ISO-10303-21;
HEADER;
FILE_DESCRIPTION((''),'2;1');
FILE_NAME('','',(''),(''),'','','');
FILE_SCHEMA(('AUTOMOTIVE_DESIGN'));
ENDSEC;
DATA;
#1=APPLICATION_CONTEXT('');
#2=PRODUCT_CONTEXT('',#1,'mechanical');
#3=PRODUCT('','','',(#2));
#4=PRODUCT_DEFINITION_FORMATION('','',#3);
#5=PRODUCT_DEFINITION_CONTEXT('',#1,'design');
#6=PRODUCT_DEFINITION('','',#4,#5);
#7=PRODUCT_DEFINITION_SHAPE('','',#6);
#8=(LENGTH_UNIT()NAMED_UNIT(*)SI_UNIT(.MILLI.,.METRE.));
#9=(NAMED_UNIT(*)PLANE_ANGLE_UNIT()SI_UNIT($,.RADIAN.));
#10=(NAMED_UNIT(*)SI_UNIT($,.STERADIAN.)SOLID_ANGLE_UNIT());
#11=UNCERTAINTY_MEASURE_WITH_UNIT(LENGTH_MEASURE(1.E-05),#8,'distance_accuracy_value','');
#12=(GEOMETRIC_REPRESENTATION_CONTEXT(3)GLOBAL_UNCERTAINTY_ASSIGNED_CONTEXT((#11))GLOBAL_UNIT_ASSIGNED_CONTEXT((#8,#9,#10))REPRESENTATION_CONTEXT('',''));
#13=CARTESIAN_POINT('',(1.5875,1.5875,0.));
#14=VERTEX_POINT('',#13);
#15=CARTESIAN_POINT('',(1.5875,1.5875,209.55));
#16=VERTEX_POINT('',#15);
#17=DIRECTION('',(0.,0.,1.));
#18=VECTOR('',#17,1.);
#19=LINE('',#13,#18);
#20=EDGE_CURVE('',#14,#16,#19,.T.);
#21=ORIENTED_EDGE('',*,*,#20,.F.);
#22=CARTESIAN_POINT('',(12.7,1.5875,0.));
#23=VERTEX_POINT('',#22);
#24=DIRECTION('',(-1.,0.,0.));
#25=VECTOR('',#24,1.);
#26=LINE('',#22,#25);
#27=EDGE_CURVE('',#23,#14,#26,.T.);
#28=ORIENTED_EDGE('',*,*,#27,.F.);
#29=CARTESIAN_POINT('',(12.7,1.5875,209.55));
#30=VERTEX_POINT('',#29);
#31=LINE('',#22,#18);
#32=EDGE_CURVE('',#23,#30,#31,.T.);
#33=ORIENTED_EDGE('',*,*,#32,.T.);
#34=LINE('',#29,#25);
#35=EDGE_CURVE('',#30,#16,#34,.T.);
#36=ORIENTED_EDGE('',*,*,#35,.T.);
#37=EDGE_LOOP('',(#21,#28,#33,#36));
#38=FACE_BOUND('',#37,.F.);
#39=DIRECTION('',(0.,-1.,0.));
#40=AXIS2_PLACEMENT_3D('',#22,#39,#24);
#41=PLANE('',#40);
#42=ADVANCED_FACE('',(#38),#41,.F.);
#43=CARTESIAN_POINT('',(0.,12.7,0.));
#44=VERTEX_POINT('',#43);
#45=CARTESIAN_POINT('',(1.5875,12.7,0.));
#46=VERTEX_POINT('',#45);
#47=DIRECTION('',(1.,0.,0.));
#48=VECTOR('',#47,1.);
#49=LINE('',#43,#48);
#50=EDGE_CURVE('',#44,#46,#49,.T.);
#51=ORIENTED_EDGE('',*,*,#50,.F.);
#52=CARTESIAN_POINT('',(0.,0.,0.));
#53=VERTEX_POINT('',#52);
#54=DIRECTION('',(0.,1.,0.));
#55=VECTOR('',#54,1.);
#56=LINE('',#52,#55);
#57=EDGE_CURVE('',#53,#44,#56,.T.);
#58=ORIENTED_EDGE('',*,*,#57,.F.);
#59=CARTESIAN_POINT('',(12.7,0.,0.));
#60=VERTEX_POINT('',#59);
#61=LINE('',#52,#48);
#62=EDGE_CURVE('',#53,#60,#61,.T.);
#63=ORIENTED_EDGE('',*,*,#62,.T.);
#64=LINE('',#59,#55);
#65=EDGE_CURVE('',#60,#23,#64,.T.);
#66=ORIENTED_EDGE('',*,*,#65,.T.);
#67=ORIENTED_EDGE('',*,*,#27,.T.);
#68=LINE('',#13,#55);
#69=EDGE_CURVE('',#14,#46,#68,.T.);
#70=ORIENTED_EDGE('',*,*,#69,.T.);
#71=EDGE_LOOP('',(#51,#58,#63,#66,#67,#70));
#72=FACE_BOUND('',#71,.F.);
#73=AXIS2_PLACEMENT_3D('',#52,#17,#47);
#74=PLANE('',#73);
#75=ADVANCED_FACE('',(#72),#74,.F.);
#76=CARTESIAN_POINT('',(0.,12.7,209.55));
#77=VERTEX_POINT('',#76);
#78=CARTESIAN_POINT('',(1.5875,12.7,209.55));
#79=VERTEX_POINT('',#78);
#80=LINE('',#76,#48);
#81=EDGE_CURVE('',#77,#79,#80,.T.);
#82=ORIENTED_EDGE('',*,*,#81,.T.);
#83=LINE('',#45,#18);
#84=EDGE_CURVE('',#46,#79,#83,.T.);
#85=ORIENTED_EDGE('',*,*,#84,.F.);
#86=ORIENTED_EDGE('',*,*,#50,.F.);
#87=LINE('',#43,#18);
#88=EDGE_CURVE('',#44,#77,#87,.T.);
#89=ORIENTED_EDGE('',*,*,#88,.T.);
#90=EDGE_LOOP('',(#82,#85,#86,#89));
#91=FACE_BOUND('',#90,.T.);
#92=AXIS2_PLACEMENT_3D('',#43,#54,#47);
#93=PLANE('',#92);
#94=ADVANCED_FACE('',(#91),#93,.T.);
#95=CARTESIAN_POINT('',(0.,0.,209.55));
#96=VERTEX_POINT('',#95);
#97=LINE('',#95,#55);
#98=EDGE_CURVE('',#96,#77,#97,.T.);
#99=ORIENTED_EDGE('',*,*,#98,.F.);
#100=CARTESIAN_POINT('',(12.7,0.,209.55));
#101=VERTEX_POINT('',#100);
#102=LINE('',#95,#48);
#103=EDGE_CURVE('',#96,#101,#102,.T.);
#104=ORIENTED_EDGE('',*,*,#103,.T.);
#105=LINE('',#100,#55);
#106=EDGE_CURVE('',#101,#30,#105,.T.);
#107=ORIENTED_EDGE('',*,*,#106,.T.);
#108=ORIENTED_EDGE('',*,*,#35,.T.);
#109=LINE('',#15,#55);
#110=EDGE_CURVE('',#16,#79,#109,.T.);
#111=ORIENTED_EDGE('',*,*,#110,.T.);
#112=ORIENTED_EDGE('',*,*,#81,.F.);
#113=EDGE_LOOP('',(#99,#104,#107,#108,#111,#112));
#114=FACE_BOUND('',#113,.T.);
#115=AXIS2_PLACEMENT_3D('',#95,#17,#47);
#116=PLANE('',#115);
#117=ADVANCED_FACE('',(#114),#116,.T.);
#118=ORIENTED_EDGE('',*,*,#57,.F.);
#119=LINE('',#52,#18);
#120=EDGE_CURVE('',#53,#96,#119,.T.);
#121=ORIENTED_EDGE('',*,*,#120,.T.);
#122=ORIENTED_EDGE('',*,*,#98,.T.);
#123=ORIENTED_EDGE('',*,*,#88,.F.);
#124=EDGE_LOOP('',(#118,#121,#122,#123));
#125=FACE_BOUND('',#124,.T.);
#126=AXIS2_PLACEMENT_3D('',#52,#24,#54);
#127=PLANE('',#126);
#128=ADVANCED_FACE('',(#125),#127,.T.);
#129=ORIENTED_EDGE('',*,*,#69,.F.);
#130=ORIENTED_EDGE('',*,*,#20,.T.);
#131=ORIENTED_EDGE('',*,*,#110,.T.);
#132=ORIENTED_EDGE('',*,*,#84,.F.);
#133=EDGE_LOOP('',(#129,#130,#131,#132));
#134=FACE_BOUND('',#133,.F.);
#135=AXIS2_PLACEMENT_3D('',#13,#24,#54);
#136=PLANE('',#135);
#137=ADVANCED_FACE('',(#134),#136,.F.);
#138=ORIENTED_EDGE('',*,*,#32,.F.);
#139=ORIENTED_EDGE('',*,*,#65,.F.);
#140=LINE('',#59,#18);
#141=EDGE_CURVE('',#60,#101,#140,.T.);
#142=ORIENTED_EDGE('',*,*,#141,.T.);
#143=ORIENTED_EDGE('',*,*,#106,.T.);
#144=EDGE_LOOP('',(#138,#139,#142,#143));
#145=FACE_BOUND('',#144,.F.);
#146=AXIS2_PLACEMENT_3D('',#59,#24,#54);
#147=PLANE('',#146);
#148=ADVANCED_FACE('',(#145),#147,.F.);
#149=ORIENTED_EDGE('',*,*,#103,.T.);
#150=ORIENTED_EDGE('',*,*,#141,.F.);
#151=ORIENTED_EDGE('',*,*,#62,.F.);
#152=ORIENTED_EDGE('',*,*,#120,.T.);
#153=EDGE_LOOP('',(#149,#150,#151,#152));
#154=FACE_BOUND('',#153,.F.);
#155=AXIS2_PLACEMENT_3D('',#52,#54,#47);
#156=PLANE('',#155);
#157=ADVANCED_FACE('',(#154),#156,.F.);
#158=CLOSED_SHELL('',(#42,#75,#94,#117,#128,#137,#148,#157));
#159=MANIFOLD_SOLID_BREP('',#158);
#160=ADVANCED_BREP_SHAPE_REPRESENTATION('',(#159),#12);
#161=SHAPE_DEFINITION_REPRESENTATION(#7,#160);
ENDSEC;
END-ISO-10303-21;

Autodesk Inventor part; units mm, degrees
ref_plane "YZ Plane" through (0, 0, 0) normal (1, 0, 0) x (0, 1, 0)
ref_plane "XZ Plane" through (0, 0, 0) normal (0, 1, 0) x (-1, 0, 0)
ref_plane "XY Plane" through (0, 0, 0) normal (0, 0, 1) x (1, 0, 0)
sketch "Sketch1" plane through (0, 0, 0) normal (0, 0, 1) x (1, 0, 0)
  line L0 (0, 0) -> (0, 12.7)
  line L1 (0, 12.7) -> (1.5875, 12.7)
  line L2 (0, 0) -> (12.7, 0)
  line L3 (12.7, 0) -> (12.7, 1.5875)
  line L4 (12.7, 1.5875) -> (1.5875, 1.5875)
  line L5 (1.5875, 1.5875) -> (1.5875, 12.7)
  dimension "d0" = 12.7
  dimension "d1" = 1.5875
  dimension "d2" = 12.7
  dimension "d3" = 1.5875
extrude "Extrusion1" add sketch "Sketch1" along normal blind 209.55
properties part number "Bumper Metal Edge Part3 (26x28 robot)" material "Aluminum 6061"
